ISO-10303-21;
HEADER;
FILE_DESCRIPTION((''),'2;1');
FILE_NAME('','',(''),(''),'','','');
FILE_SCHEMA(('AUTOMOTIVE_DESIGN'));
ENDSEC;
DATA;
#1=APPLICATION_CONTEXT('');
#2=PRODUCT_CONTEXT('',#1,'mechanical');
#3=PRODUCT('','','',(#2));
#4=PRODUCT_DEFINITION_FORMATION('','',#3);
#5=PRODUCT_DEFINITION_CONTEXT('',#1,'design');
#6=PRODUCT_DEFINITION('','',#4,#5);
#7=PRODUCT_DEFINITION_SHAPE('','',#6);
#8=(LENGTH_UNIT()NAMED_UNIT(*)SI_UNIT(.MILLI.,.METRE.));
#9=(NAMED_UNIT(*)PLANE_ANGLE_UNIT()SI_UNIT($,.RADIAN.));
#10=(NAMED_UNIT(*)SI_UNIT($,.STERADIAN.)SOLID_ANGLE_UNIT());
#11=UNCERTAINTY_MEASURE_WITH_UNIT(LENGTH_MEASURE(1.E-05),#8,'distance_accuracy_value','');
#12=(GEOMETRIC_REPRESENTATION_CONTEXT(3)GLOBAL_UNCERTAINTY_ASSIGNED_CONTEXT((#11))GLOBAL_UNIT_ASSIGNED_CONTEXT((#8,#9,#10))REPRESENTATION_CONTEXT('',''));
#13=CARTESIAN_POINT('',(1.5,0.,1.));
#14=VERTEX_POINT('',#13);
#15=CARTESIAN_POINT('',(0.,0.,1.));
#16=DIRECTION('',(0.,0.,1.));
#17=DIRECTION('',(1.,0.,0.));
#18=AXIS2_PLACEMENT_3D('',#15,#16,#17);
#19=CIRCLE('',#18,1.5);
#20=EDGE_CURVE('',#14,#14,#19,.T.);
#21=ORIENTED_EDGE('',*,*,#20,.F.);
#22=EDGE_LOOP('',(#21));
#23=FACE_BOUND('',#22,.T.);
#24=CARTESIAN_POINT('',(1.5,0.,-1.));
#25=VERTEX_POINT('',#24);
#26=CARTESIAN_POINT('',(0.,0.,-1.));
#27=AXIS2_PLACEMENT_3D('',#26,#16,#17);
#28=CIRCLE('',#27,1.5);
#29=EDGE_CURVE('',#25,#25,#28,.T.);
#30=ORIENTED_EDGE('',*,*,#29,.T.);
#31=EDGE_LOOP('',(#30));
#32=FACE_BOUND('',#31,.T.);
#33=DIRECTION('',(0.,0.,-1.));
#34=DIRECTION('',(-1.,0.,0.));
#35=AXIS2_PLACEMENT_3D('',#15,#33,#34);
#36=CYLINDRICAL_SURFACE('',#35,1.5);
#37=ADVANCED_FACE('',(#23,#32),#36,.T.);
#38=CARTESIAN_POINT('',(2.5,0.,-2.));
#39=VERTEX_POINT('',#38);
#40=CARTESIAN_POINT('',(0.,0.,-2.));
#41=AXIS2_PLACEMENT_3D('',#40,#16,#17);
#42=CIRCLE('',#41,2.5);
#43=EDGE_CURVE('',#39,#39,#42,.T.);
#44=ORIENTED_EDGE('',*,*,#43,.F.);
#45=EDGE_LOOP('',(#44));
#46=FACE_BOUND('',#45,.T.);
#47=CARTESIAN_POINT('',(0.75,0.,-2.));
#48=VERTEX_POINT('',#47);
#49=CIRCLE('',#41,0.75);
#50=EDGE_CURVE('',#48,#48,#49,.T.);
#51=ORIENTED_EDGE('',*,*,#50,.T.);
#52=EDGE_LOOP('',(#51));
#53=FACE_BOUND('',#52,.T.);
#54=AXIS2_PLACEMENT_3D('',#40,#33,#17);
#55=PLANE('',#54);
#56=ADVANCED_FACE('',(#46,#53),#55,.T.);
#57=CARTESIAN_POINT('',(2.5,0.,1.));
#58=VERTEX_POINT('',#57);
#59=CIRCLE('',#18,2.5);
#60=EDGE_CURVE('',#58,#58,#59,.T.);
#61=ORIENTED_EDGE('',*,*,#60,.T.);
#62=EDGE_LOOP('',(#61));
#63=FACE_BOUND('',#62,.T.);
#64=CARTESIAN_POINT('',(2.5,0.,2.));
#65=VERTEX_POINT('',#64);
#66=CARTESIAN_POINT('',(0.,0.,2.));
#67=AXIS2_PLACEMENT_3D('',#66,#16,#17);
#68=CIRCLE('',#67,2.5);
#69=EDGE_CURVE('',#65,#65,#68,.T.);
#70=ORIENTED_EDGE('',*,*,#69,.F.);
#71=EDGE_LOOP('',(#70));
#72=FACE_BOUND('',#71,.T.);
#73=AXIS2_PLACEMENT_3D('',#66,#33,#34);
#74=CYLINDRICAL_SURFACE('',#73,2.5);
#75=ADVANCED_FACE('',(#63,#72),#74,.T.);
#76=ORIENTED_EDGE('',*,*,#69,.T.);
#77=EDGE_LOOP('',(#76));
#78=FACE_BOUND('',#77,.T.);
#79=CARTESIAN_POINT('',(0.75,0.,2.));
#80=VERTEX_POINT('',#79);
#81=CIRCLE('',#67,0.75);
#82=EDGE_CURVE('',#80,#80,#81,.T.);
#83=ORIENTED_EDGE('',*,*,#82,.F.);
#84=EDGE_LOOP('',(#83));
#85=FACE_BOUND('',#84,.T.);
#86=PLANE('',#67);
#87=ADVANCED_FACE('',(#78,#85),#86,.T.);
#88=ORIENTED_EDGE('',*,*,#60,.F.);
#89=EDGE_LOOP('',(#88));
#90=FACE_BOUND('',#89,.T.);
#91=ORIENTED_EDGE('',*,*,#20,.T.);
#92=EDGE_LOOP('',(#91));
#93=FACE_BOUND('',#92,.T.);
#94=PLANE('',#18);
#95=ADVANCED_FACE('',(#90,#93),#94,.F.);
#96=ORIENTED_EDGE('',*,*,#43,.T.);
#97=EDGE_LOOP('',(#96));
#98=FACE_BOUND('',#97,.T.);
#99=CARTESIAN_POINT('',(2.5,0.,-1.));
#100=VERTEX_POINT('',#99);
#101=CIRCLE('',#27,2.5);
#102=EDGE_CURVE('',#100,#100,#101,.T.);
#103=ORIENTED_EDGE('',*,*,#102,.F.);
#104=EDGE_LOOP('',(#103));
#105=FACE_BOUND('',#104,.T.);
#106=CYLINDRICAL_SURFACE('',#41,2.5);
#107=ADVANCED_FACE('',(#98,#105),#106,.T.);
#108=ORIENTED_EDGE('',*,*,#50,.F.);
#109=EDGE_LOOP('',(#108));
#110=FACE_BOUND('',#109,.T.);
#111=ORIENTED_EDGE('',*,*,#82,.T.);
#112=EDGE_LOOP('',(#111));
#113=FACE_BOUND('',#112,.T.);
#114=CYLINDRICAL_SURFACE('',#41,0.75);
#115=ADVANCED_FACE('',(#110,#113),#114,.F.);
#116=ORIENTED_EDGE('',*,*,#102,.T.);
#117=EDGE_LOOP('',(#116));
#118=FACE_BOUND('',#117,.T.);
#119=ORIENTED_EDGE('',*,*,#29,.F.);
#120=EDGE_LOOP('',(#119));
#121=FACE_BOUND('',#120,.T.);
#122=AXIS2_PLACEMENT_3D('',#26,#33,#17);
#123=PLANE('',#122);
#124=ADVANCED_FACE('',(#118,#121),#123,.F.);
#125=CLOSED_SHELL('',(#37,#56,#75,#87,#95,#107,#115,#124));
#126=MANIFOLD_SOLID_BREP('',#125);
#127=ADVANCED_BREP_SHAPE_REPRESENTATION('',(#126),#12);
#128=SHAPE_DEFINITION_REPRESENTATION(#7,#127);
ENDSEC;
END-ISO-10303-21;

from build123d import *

# Parameters (mm, degrees)
SKETCH1_R           = 1.5
BOSS_EXTRUDE1_DEPTH = 1
SKETCH2_R           = 2.5
BOSS_EXTRUDE2_DEPTH = 1
SKETCH3_R           = 0.75
CUT_EXTRUDE1_DEPTH  = 6.338539126


with BuildPart() as part:
    # Sketch1 → Boss-Extrude1 (new, symmetric)
    with BuildSketch(Plane.XY):
        Circle(SKETCH1_R)
    extrude(amount=BOSS_EXTRUDE1_DEPTH, both=True)

    # Sketch2 → Boss-Extrude2 (add)
    with BuildSketch(Plane.XY.offset(1)):
        Circle(SKETCH2_R)
    boss_extrude2 = extrude(amount=BOSS_EXTRUDE2_DEPTH)

    # Mirror1: Boss-Extrude2 across plane
    add(boss_extrude2.mirror(Plane.XY))

    # Sketch3 → Cut-Extrude1 (cut, through all)
    with BuildSketch(Plane.XY.offset(2)):
        Circle(SKETCH3_R)
    extrude(amount=-CUT_EXTRUDE1_DEPTH, mode=Mode.SUBTRACT)


solid = part.part
